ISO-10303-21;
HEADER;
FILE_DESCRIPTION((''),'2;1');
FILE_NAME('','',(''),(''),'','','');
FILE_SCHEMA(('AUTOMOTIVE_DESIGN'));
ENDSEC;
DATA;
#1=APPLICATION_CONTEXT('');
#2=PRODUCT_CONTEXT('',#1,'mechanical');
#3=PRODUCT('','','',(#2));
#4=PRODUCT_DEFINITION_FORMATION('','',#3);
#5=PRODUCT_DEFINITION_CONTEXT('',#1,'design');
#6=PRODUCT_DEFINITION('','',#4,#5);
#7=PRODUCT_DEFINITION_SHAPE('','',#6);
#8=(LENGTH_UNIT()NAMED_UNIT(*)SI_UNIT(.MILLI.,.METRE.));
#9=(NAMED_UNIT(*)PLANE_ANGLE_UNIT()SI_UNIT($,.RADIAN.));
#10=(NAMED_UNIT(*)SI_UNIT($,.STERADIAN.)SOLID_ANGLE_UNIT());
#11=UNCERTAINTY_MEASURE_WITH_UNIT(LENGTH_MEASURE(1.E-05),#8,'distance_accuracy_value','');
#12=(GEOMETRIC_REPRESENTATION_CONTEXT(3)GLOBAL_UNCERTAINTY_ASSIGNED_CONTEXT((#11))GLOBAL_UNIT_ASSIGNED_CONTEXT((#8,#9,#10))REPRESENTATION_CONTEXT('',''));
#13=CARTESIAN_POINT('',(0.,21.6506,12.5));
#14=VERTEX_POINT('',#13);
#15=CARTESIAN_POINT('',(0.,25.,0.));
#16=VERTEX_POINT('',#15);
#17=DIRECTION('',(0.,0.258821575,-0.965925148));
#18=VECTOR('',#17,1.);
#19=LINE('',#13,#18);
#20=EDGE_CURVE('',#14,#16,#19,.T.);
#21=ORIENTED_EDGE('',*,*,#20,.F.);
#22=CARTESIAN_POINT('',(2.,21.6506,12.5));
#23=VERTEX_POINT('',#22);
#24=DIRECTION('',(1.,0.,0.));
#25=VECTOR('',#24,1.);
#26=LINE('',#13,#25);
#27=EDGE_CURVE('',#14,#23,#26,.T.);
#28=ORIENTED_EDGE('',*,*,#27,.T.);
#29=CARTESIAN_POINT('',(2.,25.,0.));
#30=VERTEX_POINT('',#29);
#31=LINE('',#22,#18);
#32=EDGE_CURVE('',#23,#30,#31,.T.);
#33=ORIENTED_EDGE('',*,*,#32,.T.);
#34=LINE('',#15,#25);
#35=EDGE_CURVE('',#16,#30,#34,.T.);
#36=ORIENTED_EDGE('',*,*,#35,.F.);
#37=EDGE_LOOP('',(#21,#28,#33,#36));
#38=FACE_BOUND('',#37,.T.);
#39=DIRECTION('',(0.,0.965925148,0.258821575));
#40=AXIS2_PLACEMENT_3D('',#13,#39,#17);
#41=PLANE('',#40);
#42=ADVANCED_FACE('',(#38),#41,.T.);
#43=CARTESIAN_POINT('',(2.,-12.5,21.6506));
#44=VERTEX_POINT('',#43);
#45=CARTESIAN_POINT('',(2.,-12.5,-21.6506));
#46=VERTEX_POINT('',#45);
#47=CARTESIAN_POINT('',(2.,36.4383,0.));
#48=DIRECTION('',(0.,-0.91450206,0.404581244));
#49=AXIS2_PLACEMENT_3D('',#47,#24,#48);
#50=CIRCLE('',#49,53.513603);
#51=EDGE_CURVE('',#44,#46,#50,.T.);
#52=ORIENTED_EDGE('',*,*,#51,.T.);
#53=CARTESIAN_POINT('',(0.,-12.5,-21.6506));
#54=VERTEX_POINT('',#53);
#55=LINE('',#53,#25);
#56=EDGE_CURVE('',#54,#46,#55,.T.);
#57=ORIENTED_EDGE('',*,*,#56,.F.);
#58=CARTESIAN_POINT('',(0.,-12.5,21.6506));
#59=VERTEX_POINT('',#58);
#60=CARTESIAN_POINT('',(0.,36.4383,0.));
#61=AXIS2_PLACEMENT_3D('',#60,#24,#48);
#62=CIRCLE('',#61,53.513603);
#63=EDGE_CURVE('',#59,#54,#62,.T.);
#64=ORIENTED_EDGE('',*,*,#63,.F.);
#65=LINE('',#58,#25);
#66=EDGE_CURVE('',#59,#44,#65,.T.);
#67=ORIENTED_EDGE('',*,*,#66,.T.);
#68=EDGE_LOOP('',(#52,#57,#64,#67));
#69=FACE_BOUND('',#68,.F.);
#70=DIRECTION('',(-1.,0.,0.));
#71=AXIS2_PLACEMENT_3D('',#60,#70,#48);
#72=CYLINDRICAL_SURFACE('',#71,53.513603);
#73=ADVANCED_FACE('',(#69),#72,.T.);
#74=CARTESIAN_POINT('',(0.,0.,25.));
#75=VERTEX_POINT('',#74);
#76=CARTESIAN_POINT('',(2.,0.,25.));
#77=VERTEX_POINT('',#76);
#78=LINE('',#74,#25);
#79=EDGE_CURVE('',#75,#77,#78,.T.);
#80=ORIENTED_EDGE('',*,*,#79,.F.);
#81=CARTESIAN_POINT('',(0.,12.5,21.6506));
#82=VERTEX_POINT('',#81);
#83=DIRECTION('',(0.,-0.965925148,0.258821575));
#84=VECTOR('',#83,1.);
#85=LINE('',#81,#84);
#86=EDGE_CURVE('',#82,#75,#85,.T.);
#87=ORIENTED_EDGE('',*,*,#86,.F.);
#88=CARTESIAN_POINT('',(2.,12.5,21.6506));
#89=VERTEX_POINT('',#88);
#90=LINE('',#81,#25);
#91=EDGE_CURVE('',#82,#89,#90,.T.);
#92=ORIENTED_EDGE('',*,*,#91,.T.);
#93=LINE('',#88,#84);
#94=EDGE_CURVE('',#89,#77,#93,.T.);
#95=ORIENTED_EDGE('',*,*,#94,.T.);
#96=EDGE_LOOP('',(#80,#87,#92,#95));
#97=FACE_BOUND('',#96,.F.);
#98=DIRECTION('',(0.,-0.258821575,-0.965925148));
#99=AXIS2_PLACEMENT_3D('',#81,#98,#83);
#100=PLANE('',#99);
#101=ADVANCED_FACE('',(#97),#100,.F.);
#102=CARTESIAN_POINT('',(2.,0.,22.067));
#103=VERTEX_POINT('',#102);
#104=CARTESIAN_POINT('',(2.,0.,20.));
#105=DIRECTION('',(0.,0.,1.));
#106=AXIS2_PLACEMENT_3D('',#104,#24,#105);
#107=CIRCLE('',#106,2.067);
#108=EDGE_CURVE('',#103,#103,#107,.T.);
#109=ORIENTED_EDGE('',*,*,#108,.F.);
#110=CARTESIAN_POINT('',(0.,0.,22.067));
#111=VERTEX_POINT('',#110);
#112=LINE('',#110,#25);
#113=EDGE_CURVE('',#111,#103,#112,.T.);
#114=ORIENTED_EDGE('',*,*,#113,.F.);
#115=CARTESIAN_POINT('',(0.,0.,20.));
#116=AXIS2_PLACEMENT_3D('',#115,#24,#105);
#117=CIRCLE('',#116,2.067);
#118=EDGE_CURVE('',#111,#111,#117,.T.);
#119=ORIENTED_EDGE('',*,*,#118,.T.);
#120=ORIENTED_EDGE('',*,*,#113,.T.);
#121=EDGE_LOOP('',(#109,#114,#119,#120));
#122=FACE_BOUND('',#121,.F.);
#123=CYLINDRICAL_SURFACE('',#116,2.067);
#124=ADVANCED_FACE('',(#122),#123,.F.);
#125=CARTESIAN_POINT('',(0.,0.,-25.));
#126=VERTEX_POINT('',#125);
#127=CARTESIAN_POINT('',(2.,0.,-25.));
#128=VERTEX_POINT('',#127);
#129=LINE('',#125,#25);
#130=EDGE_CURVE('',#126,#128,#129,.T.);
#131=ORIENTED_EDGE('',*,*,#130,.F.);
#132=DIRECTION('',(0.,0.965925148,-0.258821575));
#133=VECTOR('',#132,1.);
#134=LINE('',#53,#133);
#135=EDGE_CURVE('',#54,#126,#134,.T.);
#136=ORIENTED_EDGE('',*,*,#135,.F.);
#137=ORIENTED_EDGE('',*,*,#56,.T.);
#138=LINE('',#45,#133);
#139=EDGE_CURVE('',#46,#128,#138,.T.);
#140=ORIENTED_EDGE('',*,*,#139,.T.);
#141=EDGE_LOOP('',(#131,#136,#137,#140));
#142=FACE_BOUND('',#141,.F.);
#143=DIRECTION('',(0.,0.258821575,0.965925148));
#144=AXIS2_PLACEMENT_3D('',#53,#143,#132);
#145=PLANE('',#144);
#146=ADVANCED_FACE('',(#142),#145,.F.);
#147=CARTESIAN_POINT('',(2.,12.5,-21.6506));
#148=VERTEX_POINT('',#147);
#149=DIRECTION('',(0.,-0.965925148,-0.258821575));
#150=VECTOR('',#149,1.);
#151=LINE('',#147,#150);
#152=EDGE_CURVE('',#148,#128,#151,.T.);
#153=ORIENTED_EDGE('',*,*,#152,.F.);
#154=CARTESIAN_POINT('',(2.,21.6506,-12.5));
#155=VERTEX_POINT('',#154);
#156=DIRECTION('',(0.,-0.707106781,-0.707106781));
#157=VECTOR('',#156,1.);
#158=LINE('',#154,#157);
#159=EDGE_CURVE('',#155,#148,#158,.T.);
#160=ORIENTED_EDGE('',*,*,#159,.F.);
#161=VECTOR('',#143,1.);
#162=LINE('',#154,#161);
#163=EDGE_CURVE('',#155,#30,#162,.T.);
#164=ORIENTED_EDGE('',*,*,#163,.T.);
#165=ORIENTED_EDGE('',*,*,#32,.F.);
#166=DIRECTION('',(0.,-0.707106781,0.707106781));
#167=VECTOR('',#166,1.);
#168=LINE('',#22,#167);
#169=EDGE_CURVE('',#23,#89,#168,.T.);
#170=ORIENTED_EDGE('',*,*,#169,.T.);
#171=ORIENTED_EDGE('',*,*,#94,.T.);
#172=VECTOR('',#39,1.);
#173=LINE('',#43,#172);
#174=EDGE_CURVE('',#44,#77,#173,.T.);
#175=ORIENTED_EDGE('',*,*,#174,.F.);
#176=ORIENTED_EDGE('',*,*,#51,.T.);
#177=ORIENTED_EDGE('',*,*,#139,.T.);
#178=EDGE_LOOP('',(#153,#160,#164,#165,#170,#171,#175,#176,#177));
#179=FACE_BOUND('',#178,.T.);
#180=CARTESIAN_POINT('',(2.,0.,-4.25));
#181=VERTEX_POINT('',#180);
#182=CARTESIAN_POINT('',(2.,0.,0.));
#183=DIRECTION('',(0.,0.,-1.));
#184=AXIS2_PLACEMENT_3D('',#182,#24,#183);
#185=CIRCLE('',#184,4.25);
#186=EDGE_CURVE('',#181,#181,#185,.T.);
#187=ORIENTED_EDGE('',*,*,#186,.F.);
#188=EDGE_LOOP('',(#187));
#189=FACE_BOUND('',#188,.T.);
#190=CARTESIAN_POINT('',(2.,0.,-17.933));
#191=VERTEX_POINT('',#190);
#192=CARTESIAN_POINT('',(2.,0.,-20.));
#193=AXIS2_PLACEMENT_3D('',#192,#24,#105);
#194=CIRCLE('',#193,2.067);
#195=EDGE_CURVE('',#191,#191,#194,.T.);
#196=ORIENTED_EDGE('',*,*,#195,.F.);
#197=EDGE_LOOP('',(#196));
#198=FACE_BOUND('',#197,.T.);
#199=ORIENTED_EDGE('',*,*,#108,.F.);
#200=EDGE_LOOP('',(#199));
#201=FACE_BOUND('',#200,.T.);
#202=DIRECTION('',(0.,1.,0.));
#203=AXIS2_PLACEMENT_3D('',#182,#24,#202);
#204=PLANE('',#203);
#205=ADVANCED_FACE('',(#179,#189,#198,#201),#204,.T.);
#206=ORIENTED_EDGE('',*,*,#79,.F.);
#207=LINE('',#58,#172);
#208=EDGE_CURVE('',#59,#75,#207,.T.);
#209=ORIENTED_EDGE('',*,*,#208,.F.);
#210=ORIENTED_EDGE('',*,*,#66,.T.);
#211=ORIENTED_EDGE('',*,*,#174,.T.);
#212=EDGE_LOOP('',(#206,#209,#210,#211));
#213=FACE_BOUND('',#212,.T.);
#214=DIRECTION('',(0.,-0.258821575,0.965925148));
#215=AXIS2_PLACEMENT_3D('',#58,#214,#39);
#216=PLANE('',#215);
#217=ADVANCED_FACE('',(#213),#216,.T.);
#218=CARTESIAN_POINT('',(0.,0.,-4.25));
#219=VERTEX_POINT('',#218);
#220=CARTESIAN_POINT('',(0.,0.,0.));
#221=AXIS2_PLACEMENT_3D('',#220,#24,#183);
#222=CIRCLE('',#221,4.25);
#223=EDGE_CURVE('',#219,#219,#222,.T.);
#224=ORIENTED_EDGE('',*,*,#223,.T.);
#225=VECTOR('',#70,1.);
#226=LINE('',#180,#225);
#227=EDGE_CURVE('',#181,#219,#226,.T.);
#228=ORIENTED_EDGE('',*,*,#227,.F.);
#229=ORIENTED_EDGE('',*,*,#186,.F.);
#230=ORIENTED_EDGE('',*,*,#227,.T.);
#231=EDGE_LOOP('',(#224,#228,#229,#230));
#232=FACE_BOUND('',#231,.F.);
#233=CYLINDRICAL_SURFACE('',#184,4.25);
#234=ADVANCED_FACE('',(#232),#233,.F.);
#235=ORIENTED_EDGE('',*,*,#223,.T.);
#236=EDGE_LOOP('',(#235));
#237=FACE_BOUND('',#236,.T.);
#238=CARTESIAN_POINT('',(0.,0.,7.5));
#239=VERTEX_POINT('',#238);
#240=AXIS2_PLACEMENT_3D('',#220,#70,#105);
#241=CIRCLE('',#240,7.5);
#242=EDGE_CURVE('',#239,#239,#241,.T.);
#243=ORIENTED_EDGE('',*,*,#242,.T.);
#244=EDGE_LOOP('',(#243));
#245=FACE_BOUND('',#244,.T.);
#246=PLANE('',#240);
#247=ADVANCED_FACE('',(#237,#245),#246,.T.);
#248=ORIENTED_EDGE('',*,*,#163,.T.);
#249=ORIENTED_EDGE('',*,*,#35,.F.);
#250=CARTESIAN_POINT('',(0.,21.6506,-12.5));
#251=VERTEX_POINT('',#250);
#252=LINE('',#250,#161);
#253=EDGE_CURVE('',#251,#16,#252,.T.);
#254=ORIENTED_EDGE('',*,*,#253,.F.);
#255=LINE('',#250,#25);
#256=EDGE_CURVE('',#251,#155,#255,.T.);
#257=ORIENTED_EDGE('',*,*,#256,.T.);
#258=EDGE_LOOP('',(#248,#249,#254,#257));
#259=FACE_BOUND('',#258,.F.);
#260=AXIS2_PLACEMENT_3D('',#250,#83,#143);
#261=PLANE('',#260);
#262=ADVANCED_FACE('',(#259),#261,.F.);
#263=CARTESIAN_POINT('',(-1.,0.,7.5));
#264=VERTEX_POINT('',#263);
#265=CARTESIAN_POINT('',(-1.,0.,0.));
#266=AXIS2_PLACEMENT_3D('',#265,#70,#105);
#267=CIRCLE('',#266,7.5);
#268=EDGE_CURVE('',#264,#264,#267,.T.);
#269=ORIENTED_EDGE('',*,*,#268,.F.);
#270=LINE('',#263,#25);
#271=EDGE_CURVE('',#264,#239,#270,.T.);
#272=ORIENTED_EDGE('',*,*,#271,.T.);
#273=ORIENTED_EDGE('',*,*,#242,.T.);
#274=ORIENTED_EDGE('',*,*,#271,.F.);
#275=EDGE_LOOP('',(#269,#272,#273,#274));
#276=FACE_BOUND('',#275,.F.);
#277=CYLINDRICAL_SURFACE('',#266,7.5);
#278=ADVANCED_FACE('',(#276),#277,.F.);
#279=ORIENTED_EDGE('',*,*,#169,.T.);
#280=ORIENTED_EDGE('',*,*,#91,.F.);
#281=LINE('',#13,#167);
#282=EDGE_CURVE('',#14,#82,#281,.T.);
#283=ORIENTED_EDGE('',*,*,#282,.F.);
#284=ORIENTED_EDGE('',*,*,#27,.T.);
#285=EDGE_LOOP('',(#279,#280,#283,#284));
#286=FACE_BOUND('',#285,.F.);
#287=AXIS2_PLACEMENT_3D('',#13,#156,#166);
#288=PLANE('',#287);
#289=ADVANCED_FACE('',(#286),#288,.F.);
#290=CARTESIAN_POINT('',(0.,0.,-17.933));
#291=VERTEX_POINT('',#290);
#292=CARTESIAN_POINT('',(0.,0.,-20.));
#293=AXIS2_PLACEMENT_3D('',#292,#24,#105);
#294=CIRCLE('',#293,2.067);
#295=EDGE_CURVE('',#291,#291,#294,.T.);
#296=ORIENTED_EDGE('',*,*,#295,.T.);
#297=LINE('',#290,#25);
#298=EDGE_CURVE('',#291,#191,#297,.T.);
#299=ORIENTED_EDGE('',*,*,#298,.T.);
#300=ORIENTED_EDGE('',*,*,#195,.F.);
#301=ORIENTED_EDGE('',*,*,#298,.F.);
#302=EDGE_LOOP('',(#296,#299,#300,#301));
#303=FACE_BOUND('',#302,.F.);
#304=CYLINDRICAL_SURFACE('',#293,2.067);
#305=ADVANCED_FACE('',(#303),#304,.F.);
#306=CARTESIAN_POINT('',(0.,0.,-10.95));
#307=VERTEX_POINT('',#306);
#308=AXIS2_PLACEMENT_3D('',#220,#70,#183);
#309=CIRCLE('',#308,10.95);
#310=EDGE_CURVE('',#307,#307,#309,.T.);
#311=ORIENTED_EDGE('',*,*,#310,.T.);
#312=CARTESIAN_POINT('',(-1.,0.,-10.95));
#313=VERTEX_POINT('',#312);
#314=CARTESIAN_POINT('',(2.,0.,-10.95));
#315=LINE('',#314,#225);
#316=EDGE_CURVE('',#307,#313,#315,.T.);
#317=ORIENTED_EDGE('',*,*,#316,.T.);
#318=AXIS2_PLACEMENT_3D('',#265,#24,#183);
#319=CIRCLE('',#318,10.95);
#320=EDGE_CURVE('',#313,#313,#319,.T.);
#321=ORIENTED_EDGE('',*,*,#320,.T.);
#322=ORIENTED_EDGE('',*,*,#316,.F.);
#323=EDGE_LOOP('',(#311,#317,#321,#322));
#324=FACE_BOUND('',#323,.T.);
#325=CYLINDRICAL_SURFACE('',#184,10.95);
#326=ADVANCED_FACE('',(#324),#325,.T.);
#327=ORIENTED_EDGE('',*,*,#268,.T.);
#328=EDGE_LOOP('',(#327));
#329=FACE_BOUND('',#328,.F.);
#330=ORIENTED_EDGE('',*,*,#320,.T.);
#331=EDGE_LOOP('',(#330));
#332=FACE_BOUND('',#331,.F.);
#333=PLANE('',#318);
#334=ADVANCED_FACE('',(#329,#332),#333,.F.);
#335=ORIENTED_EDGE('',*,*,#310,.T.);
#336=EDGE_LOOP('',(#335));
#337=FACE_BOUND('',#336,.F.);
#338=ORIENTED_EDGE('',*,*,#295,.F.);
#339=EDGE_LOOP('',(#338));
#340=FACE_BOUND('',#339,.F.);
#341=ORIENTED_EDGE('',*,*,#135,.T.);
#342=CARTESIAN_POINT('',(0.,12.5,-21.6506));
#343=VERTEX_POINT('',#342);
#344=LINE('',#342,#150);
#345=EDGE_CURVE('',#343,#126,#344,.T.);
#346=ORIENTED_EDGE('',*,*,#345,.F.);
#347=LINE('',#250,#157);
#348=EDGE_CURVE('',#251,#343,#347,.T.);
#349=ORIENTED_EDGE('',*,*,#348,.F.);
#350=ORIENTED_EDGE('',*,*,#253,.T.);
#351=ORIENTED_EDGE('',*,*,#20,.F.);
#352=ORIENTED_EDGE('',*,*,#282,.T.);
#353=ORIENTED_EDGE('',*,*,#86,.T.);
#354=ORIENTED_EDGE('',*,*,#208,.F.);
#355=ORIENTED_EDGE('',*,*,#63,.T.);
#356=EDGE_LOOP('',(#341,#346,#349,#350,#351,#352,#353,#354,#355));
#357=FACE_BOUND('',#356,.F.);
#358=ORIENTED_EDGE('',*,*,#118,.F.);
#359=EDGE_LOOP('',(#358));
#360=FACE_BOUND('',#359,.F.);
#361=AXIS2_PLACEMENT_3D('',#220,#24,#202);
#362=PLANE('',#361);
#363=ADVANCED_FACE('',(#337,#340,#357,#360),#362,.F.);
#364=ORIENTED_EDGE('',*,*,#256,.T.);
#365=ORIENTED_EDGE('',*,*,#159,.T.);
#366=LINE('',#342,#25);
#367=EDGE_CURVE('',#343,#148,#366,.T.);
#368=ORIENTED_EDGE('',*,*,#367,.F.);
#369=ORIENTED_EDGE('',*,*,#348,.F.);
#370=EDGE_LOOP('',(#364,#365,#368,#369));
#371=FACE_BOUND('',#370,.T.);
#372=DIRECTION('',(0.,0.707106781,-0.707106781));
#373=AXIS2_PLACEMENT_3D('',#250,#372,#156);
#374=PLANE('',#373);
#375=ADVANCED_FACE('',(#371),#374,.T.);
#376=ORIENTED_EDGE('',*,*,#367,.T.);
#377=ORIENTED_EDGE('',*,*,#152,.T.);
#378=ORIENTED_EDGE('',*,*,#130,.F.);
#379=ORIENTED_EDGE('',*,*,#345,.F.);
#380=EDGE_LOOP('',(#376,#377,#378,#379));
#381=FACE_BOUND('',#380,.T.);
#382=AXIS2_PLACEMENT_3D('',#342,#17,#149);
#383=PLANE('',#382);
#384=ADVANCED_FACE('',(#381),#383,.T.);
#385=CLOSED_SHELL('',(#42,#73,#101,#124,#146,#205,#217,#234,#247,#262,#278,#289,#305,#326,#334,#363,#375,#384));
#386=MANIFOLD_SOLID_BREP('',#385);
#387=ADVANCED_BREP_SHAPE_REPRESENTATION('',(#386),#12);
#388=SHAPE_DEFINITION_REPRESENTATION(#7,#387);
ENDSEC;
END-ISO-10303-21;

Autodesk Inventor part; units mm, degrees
ref_plane "YZ Plane" through (0, 0, 0) normal (1, 0, 0) x (0, 1, 0)
ref_plane "XZ Plane" through (0, 0, 0) normal (0, 1, 0) x (-1, 0, 0)
ref_plane "XY Plane" through (0, 0, 0) normal (0, 0, 1) x (1, 0, 0)
sketch "Esquisse1" plane through (0, 0, 0) normal (1, 0, 0) x (0, 1, 0)
  circle A0 centre (0, 0) radius 10.95
  circle A1 centre (0, 0) radius 25
  line L0 (0, 25) -> (25, 25)
  line L1 (25, 25) -> (25, 0)
  line L2 (21.6506, 12.5) -> (25, 0)
  line L3 (21.6506, 12.5) -> (12.5, 21.6506)
  line L4 (12.5, 21.6506) -> (0, 25)
  line L5 (0, 0) -> (7.9736, 0)
  line L6 (0, 0) -> (0, 6.25)
  line L7 (21.6506, -12.5) -> (25, 0)
  line L8 (21.6506, -12.5) -> (12.5, -21.6506)
  line L9 (12.5, -21.6506) -> (0, -25)
  line L10 (-21.6506, 12.5) -> (-25, 0)
  line L11 (-21.6506, 12.5) -> (-12.5, 21.6506)
  line L12 (-12.5, 21.6506) -> (0, 25)
  line L13 (-21.6506, -12.5) -> (-25, 0)
  line L14 (-21.6506, -12.5) -> (-12.5, -21.6506)
  line L15 (-12.5, -21.6506) -> (0, -25)
  line L16 (-12.5, 21.6506) -> (-12.5, -21.6506)
  arc A2 (-12.5, 21.6506) -> (-12.5, -21.6506) centre (36.4383, 0) ccw
  dimension "d0" = 21.9
  dimension "d1" = 50
extrude "Extrusion1" add sketch "Esquisse1" along normal blind 2 contours L7 L8 L9 L15 L16 L12 L4 L3 L2 | L16 A2
sketch "Esquisse7" plane through (2, 0, 0) normal (1, 0, 0) x (0, 0, -1)
  circle A0 centre (0, 0) radius 10.95
  circle A1 centre (0, 0) radius 4.25
extrude "Extrusion6" add sketch "Esquisse7" against normal blind 3
sketch "Esquisse8" plane through (0, 0, 0) normal (-1, 0, 0) x (0, 0, 1)
  line L0 (0, 0) -> (-20, 0)
  line L1 (0, 0) -> (0, 2.8662)
  point P0 (20, 0)
  dimension "d30" = 20
hole "Perçage2" at (0, 0, -20) at (0, 0, 20) direction (1, 0, 0) diameter 4.134 end through all thread size "M5x0.8" class "6H" standard "ISO Metric profile"
sketch "Esquisse9" plane through (-1, 0, 0) normal (-1, 0, 0) x (0, 0, 1)
  circle A0 centre (0, 0) radius 4.25 projected
  circle A1 centre (0, 0) radius 10.95 projected
  circle A2 centre (0, 0) radius 7.5
  dimension "d39" = 15
extrude "Extrusion7" cut sketch "Esquisse9" against normal blind 1 contours A2
properties part number "bielle côté 0"
